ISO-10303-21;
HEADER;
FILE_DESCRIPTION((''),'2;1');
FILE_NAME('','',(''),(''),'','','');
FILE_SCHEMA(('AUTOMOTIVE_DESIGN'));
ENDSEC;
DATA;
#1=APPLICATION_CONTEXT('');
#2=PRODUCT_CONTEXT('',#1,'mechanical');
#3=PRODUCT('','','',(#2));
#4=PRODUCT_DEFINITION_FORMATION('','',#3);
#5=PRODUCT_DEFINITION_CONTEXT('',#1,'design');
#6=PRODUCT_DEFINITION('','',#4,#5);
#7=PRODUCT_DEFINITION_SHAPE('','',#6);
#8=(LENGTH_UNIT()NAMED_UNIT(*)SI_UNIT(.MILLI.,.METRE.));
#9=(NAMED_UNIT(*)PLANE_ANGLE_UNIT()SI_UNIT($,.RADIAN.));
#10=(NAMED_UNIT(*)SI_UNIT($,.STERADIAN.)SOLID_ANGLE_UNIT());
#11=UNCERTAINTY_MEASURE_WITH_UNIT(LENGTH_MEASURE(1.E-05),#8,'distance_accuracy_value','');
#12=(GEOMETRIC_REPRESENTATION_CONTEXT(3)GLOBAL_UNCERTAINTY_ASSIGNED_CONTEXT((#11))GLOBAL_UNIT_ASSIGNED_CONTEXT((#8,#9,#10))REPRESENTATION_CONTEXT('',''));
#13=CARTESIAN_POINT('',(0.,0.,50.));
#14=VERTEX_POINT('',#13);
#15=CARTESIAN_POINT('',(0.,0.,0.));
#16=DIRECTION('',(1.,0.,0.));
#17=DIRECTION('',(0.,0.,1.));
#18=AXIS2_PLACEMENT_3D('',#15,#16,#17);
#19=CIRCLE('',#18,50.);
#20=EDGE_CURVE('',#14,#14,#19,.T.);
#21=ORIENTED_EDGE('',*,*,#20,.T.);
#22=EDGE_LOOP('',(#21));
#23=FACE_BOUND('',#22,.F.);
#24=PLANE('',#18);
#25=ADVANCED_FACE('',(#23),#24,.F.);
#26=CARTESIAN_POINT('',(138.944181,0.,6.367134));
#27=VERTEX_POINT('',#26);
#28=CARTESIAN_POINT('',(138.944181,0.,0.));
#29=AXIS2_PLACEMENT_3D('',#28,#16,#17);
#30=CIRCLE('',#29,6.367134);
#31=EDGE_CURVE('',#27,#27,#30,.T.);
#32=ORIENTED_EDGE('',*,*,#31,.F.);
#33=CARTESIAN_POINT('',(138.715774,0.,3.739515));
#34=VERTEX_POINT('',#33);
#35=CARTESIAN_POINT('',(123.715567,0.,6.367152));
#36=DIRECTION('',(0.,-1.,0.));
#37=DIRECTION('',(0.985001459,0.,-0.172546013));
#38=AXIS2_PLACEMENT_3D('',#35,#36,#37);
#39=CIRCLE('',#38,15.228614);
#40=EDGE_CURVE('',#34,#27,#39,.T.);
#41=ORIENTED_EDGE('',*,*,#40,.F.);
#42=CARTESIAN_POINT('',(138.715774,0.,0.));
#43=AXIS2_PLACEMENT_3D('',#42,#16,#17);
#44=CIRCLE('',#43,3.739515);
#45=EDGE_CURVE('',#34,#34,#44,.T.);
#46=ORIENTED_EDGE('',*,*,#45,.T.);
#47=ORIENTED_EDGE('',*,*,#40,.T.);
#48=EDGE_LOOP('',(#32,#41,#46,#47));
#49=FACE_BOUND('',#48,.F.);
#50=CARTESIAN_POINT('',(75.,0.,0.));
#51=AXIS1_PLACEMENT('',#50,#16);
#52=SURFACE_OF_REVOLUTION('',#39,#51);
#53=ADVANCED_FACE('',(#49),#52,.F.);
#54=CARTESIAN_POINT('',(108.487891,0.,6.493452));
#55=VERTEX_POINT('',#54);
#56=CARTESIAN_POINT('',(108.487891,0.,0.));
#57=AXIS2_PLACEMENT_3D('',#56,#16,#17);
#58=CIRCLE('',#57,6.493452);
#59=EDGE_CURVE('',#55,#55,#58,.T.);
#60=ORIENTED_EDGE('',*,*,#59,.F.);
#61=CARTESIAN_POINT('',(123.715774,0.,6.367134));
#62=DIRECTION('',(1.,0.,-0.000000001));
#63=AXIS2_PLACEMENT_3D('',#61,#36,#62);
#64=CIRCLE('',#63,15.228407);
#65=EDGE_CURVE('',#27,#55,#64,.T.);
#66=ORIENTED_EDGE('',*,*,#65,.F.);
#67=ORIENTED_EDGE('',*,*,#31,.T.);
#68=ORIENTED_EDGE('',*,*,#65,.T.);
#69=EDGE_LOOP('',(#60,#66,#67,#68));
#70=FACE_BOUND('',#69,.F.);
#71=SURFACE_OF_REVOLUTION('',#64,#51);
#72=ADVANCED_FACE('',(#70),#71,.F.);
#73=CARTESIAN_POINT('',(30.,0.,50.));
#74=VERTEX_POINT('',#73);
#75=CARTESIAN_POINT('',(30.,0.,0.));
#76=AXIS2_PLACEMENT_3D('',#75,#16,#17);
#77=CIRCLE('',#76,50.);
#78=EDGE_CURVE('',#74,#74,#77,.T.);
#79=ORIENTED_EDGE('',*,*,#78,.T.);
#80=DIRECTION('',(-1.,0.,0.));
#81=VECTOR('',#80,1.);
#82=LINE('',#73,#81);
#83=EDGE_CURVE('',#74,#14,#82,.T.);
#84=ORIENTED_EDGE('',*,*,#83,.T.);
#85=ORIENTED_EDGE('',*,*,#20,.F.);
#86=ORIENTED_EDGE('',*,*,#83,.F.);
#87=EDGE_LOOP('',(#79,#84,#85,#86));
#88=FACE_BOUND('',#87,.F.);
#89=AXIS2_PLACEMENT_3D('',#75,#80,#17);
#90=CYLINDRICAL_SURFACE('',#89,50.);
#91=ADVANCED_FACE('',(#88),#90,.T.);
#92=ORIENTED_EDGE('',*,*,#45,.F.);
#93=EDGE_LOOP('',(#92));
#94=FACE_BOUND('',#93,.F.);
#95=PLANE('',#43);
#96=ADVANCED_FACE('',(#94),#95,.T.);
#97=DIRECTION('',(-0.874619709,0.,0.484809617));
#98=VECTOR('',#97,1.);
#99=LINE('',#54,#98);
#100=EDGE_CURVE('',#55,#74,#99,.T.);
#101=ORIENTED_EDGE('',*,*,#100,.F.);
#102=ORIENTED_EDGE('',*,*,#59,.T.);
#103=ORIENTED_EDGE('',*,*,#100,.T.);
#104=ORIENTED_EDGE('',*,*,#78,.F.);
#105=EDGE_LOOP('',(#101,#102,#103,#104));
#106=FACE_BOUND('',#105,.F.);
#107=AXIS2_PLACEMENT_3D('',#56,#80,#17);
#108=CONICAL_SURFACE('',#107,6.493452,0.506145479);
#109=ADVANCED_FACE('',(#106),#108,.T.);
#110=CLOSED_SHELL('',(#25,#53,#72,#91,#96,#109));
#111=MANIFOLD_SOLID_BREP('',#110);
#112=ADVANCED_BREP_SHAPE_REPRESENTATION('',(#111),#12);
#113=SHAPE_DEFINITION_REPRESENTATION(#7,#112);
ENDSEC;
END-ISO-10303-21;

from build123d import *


with BuildPart() as f1:
    # F0 (on Front) → F1 (revolve)
    with BuildSketch(Plane.XZ):
        with BuildLine():
            Line((138.715774, 0), (138.715774, 3.739515))
            ThreePointArc((138.715774, 3.739515), (138.886971, 5.04837), (138.944181, 6.367134))
            ThreePointArc((138.944181, 6.367134), (123.778933, 21.59541), (108.487891, 6.493452))
            Line((108.487891, 6.493452), (30, 50))
            Line((30, 50), (0, 50))
            Line((0, 50), (0, 0))
            Line((0, 0), (138.715774, 0))
        make_face()
    revolve(axis=Axis((75, 0, 0), (1, 0, 0)))


solid = f1.part
